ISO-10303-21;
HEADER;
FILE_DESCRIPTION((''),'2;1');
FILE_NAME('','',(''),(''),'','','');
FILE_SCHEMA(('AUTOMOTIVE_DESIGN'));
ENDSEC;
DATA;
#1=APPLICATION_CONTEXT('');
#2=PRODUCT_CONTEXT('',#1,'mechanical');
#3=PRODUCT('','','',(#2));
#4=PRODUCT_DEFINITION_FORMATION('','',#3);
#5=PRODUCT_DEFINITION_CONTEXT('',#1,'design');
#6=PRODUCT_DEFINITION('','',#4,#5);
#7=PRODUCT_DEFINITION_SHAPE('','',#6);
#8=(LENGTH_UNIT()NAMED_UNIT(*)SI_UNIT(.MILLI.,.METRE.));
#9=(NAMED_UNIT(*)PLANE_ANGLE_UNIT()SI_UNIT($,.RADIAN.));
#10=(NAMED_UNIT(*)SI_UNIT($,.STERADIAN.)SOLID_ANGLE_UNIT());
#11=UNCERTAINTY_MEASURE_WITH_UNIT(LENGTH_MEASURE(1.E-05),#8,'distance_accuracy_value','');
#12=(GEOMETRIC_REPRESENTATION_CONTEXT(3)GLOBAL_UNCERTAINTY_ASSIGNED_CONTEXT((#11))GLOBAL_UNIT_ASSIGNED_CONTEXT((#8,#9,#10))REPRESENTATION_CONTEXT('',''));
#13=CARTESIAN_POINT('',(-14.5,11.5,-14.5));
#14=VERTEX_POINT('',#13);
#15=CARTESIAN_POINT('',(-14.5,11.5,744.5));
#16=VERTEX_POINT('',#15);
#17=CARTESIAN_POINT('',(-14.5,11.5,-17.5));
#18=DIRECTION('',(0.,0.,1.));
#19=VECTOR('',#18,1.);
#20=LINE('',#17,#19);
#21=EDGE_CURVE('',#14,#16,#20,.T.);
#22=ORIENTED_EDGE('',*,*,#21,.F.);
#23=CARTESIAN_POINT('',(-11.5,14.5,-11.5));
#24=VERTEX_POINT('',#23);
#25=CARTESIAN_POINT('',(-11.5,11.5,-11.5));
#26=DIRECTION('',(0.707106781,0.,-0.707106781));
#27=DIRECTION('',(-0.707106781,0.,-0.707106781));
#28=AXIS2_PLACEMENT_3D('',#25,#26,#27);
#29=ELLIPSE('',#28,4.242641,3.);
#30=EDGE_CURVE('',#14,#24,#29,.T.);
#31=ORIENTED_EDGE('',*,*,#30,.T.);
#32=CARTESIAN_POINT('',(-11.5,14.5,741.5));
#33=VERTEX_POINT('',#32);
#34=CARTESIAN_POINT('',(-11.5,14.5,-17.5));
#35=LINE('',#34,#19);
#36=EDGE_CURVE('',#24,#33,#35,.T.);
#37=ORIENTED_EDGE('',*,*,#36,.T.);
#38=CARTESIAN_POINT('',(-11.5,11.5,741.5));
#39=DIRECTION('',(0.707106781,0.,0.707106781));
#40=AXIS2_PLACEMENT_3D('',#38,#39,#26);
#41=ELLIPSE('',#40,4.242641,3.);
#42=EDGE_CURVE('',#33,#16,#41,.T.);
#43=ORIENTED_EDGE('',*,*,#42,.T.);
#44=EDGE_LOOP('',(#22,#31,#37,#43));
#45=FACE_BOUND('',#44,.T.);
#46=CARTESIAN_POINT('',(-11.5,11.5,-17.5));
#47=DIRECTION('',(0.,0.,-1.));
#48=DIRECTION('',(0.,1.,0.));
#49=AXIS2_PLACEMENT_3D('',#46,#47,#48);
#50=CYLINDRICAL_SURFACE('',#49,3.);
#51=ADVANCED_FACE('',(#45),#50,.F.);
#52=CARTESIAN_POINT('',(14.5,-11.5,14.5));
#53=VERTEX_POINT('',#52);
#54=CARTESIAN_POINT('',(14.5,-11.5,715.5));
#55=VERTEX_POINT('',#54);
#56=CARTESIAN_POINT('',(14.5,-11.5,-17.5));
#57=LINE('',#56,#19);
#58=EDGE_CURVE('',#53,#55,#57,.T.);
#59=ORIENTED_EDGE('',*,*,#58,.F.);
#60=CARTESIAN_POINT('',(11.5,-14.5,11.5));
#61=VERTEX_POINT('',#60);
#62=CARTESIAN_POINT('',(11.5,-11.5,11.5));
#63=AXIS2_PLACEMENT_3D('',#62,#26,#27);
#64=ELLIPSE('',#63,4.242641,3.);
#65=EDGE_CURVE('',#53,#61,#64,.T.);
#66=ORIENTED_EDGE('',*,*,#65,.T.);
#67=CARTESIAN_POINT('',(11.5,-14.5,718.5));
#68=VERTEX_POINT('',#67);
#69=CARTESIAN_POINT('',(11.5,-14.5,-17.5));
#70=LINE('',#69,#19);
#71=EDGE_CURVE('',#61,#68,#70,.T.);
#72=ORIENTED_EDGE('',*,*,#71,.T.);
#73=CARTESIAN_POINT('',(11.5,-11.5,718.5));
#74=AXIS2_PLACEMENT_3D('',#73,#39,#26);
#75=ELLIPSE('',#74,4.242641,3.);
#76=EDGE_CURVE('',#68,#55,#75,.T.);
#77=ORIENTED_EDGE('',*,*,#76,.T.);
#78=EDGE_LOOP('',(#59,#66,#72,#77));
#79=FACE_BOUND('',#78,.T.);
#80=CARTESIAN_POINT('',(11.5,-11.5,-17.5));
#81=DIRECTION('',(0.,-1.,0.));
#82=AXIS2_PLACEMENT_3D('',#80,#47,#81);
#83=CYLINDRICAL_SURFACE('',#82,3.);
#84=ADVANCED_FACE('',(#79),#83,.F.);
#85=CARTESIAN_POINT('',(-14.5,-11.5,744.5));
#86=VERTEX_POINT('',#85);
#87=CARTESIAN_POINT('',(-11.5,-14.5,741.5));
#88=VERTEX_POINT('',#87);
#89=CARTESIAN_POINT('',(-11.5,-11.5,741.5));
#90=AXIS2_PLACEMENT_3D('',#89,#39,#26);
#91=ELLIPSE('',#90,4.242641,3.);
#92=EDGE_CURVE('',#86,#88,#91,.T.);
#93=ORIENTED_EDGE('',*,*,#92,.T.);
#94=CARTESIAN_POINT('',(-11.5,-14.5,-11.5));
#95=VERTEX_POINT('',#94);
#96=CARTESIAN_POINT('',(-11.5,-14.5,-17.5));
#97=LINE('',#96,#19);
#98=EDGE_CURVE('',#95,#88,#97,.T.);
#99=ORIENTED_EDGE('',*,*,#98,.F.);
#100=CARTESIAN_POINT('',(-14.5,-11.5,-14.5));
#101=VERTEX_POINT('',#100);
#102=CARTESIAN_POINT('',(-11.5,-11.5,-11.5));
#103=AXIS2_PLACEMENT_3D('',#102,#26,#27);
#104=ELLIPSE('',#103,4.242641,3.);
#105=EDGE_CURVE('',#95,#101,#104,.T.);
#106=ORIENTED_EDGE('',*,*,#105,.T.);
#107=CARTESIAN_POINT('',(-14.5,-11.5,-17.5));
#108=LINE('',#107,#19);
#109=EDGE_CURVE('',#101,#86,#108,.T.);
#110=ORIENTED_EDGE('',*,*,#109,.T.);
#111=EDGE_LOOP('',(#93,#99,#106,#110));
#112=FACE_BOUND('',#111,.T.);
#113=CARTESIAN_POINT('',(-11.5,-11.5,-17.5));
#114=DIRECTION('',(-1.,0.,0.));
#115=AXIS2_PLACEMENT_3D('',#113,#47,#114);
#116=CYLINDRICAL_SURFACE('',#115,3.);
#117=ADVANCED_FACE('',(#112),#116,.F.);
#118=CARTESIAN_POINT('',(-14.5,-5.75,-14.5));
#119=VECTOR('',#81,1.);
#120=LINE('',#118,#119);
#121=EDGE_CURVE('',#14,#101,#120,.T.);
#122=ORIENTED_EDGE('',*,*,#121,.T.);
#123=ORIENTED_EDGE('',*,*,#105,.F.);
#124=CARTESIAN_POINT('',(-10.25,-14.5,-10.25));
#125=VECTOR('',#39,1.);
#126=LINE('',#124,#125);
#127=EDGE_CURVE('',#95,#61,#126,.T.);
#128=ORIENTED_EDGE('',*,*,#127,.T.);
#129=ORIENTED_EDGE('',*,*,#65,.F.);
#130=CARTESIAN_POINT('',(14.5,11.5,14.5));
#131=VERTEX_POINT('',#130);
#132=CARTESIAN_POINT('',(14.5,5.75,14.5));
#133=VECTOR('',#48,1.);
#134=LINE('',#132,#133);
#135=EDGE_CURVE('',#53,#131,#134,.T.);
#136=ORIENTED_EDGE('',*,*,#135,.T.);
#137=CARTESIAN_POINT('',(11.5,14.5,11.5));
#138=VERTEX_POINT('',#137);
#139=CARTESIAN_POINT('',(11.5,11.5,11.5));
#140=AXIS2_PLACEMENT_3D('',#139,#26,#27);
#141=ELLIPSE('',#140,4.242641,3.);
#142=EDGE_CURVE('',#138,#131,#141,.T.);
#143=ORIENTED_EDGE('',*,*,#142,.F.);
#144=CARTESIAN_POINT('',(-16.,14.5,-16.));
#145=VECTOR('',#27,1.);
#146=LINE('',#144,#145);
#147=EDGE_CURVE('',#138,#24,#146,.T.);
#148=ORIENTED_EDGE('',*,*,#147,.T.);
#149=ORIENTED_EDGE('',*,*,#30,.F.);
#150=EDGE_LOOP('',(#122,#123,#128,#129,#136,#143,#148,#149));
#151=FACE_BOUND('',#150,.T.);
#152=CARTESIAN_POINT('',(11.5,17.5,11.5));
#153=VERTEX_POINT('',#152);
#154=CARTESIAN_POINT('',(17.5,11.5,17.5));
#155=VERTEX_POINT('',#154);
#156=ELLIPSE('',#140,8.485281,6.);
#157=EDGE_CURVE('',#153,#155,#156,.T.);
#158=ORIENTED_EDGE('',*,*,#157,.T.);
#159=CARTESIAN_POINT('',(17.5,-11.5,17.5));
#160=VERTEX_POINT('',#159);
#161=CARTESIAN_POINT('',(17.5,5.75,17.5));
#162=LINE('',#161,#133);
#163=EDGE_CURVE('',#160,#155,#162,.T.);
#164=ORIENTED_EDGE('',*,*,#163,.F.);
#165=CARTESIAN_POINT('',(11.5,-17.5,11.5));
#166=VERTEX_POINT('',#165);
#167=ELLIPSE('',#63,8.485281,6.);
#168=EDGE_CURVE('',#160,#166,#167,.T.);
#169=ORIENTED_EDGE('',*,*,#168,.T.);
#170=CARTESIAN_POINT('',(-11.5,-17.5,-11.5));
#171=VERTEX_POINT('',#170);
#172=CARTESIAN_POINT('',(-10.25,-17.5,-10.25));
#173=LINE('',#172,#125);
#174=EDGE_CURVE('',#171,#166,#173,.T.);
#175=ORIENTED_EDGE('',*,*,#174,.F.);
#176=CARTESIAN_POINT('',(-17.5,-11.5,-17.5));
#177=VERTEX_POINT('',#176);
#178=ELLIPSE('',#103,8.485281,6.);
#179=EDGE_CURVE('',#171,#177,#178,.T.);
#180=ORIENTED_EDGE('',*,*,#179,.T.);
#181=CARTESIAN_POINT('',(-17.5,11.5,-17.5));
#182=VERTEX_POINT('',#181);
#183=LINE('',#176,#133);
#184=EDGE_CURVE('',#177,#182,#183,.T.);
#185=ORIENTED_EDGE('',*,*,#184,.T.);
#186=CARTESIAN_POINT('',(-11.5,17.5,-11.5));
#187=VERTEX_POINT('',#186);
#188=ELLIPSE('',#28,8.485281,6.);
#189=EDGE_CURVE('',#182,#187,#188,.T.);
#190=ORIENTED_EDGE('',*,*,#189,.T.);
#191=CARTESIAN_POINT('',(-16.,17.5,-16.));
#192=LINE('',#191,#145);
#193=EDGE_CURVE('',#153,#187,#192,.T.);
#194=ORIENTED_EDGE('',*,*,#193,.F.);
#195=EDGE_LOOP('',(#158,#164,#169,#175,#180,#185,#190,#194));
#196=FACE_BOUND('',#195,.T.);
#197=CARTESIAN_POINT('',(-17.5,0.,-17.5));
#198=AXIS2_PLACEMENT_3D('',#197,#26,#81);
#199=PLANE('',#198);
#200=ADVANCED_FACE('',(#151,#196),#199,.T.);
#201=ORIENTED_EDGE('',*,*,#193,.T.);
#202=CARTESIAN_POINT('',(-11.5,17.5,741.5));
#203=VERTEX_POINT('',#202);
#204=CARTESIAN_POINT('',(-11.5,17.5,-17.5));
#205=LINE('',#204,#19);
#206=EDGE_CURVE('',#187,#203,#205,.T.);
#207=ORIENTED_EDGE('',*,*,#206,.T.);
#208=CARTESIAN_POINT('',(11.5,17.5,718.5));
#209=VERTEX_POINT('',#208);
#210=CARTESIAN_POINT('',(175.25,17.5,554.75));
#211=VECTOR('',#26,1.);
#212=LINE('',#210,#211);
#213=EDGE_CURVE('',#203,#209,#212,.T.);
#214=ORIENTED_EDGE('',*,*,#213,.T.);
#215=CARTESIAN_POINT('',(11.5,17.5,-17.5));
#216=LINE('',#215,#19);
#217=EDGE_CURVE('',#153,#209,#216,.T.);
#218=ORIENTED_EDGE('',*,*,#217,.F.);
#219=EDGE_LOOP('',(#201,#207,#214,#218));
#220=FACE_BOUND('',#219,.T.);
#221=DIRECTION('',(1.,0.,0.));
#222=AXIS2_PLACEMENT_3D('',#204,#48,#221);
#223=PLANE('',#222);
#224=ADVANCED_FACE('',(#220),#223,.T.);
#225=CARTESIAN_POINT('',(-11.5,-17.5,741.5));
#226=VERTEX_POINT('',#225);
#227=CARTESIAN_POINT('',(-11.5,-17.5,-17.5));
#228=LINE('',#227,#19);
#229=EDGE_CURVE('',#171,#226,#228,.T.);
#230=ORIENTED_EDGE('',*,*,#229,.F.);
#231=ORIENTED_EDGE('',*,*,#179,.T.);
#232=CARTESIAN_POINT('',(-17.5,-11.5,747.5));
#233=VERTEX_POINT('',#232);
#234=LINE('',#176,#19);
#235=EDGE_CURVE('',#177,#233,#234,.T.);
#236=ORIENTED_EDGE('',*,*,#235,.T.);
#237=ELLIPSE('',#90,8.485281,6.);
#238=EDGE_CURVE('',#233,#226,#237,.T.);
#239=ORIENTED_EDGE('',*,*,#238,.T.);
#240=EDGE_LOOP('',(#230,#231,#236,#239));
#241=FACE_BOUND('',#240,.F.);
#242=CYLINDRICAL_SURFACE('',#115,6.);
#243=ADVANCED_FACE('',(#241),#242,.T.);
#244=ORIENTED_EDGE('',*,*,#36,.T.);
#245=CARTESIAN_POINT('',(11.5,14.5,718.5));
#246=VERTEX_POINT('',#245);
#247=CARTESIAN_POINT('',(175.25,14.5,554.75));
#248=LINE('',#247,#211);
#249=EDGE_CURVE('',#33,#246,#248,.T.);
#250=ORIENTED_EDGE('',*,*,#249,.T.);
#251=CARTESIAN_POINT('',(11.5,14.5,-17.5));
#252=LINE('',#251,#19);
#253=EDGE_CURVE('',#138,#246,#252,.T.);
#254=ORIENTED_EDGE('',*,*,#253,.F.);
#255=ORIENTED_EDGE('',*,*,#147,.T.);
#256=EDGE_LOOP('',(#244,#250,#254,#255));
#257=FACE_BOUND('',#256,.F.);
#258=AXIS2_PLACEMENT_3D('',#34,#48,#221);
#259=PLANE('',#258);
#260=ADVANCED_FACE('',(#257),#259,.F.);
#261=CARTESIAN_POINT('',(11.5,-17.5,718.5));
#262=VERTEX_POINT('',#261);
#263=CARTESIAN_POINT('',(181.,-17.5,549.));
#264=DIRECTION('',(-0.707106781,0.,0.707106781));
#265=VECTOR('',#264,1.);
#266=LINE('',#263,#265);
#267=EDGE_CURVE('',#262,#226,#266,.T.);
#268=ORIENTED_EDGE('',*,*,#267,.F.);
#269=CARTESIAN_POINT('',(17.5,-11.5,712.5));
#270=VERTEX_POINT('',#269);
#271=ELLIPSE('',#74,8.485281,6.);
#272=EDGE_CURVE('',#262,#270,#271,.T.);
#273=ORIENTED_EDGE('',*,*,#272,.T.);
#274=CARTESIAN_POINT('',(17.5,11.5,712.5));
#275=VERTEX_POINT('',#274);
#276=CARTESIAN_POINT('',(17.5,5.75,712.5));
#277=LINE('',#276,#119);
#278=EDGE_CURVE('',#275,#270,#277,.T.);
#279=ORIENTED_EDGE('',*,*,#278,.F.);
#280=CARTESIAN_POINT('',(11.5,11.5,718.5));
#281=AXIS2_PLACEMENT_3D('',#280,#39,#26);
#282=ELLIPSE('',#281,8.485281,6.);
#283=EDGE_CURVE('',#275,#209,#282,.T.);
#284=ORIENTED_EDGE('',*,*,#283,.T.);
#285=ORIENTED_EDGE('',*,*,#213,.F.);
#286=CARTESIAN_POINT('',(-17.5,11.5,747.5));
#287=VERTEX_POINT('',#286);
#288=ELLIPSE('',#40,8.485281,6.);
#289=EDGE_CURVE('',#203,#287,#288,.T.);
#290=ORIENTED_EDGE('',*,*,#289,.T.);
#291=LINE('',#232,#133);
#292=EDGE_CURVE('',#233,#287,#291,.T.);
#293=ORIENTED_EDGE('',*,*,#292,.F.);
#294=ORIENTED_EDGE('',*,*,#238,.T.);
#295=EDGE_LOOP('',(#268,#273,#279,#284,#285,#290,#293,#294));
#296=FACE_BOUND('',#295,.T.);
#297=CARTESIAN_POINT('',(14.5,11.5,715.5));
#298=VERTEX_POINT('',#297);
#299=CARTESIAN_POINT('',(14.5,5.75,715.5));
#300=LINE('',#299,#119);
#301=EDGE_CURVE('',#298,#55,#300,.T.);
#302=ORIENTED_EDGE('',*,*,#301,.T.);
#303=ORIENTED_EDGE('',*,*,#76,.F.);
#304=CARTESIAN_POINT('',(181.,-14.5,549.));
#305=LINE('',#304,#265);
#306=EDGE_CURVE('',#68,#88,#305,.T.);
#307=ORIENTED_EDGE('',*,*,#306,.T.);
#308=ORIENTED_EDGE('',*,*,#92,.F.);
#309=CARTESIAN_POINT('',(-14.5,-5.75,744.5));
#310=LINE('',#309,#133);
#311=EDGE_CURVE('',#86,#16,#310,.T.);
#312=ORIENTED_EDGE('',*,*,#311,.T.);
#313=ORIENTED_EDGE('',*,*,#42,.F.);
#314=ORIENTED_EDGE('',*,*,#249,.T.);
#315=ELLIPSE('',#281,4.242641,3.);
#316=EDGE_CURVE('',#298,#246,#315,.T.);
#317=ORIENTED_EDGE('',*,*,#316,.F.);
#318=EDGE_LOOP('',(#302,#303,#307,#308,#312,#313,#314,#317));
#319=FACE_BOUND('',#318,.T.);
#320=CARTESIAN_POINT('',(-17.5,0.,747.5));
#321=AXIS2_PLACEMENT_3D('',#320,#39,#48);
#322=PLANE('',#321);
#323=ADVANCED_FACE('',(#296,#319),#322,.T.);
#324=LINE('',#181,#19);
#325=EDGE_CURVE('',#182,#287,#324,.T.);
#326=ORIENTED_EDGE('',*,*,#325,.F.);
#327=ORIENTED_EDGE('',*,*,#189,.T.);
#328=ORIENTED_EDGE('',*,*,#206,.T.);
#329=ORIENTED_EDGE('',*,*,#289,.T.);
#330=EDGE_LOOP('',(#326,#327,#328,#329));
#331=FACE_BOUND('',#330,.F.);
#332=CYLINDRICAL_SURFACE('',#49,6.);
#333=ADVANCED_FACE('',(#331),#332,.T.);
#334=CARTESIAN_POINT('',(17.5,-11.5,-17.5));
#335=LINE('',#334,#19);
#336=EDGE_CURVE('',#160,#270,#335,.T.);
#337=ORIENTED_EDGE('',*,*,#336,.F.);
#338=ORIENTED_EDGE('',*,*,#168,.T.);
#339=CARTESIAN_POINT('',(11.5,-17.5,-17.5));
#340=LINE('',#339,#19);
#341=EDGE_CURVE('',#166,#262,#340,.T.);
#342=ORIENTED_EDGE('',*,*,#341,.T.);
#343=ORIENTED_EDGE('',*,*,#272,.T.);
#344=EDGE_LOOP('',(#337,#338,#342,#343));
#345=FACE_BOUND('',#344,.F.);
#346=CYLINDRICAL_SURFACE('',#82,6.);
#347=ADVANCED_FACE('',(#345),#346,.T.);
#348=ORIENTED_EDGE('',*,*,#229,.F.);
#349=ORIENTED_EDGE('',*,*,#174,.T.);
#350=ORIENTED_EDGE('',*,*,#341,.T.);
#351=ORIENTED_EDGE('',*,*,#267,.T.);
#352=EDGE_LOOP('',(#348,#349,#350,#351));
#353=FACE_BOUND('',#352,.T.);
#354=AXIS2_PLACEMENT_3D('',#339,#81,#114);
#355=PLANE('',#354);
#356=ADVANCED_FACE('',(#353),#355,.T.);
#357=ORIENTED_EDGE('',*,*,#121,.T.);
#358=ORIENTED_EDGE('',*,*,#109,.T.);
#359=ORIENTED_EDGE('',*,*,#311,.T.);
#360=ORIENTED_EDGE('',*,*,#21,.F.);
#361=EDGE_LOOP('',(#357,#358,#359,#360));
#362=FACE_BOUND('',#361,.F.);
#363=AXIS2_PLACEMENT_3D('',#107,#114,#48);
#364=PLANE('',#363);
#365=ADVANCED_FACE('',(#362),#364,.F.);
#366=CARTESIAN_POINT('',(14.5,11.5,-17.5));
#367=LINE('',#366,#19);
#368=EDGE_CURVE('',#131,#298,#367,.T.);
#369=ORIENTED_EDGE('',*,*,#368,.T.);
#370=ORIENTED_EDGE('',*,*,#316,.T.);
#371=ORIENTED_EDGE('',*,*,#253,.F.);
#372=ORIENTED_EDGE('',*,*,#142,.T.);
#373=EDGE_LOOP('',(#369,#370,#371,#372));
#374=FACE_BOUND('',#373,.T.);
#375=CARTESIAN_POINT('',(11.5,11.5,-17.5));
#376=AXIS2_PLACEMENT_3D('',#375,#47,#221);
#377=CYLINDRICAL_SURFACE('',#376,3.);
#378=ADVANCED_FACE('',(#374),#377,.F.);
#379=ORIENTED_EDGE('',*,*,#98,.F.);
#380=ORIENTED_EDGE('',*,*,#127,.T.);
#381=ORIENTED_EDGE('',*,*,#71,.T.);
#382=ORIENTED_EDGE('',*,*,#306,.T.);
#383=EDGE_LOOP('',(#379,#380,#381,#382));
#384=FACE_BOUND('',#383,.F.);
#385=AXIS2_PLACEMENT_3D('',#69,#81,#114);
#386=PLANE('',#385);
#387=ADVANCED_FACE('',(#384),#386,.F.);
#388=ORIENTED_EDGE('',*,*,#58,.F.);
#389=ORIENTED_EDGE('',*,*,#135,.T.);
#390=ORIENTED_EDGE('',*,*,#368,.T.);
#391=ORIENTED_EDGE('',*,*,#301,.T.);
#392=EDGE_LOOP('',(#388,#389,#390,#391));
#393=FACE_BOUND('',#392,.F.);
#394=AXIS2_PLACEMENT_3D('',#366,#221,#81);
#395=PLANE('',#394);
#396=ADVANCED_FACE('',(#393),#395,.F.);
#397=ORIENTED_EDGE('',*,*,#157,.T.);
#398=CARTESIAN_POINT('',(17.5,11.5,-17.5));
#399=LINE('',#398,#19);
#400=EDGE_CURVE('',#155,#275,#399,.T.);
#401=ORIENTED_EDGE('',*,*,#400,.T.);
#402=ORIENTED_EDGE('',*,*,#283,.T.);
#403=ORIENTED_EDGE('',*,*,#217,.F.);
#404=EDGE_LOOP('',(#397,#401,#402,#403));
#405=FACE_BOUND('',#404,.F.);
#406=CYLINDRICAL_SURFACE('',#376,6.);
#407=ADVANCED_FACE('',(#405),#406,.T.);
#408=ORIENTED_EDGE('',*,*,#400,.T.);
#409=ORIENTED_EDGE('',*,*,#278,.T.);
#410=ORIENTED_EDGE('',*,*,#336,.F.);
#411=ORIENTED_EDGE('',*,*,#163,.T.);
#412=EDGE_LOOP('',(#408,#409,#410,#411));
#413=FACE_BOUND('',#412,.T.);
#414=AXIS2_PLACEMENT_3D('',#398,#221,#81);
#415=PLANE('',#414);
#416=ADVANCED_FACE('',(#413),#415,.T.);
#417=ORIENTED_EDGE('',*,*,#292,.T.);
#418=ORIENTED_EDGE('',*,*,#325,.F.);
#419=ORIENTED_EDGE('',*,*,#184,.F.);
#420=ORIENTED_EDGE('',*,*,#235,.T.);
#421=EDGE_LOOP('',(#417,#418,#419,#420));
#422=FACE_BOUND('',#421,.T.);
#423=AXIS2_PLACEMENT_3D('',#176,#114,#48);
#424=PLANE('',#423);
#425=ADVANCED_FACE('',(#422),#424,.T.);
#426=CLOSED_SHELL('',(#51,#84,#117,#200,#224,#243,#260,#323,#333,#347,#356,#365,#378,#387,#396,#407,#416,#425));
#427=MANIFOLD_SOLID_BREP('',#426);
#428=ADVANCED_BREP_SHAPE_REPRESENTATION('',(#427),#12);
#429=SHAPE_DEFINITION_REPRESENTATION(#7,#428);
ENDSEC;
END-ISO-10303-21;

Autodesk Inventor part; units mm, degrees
ref_plane "Start plane" through (0, 0, -17.5) normal (0, 0, 1) x (1, 0, 0)
ref_plane "End plane" through (0, 0, 747.5) normal (0, 0, 1) x (1, 0, 0)
sketch "Sketch" plane through (0, 0, 0) normal (0, 0, 1) x (1, 0, 0)
  line L0 (-17.5, -11.5) -> (-17.5, 11.5)
  line L1 (-11.5, 17.5) -> (11.5, 17.5)
  line L2 (17.5, 11.5) -> (17.5, -11.5)
  line L3 (11.5, -17.5) -> (-11.5, -17.5)
  arc A0 (-17.5, -11.5) -> (-11.5, -17.5) centre (-11.5, -11.5) ccw
  arc A1 (-11.5, 17.5) -> (-17.5, 11.5) centre (-11.5, 11.5) ccw
  arc A2 (17.5, 11.5) -> (11.5, 17.5) centre (11.5, 11.5) ccw
  arc A3 (11.5, -17.5) -> (17.5, -11.5) centre (11.5, -11.5) ccw
  arc A4 (-11.5, 14.5) -> (-14.5, 11.5) centre (-11.5, 11.5) ccw
  line L4 (-11.5, 14.5) -> (11.5, 14.5)
  arc A5 (14.5, 11.5) -> (11.5, 14.5) centre (11.5, 11.5) ccw
  line L5 (14.5, 11.5) -> (14.5, -11.5)
  arc A6 (11.5, -14.5) -> (14.5, -11.5) centre (11.5, -11.5) ccw
  line L6 (11.5, -14.5) -> (-11.5, -14.5)
  arc A7 (-14.5, -11.5) -> (-11.5, -14.5) centre (-11.5, -11.5) ccw
  line L7 (-14.5, -11.5) -> (-14.5, 11.5)
  line L8 (0, 25.4278) -> (0, -25.4278) construction
  line L9 (-25.4278, 0) -> (25.4278, 0) construction
  dimension "d7" = 6
  dimension "d10" = 35
  dimension "d11" = 35
  dimension "d12" = 3
  dimension "d15" = 17.5
  dimension "d16" = 17.5
extrude "Body" add sketch "Sketch" along normal up to surface (765 mm away) from surface at -17.5
sketch "Sketch3" plane through (0, 0, 0) normal (0, 0, 1) x (1, 0, 0)
  line L0 (0, 0) -> (10, 0)
ref_plane "Work Plane3" through (0, 0, 0) normal (0, -1, 0) x (1, 0, 0)
sketch "Sketch4" plane through (0, 0, 0) normal (0, -1, 0) x (1, 0, 0)
  line L0 (-2, -17.5) -> (12, -17.5)
  line L1 (-2, 747.5) -> (12, 747.5)
  dimension "d18" = 765
ref_plane "Work Plane4" through (0, -180, 747.5) normal (0, 0, 1) x (1, 0, 0)
split "Split1" plane through (0, -180, 747.5) removes the side toward (0, 0, 1)
ref_plane "Work Plane5" through (0, 0, -17.5) normal (0, 0, -1) x (-1, 0, 0)
split "Split2" plane through (0, 0, -17.5) removes the side toward (0, 0, -1)
ref_plane "Work Plane6" through (-17.5, 0, -17.5) normal (0.7071, 0, -0.7071) x (-0.7071, 0, -0.7071)
split "Split3" plane through (-17.5, 0, -17.5) removes the side toward (0.7071, 0, -0.7071)
ref_plane "Work Plane7" through (-17.5, 0, 747.5) normal (0.7071, 0, 0.7071) x (0.7071, 0, -0.7071)
split "Split4" plane through (-17.5, 0, 747.5) removes the side toward (0.7071, 0, 0.7071)
equation "\"d7\" = G_IR"
equation "\"d10\" = G_H"
equation "\"d11\" = G_W"
equation "\"d12\" = G_T"
equation "\"d15\" = 0.5 * d10"
equation "\"d16\" = 0.5 * d11"
equation "\"d3\" = G_L"
equation "\"G_W\" = 35"
equation "\"G_H\" = 35"
equation "\"G_T\" = 3"
equation "\"G_IR\" = 6"
equation "\"G_L\" = d18"
equation "\"G_OFFSET_START\" = 17.5"
equation "\"G_OFFSET_END\" = 17.5"
equation "\"d13\" = -G_OFFSET_START"
equation "\"d14\" = G_OFFSET_END + B_L"
equation "\"B_L\" = 730"
properties part number "AS 1163 - C350L0 35x35x3.0 SHS - 765" material "Steel, Mild"
